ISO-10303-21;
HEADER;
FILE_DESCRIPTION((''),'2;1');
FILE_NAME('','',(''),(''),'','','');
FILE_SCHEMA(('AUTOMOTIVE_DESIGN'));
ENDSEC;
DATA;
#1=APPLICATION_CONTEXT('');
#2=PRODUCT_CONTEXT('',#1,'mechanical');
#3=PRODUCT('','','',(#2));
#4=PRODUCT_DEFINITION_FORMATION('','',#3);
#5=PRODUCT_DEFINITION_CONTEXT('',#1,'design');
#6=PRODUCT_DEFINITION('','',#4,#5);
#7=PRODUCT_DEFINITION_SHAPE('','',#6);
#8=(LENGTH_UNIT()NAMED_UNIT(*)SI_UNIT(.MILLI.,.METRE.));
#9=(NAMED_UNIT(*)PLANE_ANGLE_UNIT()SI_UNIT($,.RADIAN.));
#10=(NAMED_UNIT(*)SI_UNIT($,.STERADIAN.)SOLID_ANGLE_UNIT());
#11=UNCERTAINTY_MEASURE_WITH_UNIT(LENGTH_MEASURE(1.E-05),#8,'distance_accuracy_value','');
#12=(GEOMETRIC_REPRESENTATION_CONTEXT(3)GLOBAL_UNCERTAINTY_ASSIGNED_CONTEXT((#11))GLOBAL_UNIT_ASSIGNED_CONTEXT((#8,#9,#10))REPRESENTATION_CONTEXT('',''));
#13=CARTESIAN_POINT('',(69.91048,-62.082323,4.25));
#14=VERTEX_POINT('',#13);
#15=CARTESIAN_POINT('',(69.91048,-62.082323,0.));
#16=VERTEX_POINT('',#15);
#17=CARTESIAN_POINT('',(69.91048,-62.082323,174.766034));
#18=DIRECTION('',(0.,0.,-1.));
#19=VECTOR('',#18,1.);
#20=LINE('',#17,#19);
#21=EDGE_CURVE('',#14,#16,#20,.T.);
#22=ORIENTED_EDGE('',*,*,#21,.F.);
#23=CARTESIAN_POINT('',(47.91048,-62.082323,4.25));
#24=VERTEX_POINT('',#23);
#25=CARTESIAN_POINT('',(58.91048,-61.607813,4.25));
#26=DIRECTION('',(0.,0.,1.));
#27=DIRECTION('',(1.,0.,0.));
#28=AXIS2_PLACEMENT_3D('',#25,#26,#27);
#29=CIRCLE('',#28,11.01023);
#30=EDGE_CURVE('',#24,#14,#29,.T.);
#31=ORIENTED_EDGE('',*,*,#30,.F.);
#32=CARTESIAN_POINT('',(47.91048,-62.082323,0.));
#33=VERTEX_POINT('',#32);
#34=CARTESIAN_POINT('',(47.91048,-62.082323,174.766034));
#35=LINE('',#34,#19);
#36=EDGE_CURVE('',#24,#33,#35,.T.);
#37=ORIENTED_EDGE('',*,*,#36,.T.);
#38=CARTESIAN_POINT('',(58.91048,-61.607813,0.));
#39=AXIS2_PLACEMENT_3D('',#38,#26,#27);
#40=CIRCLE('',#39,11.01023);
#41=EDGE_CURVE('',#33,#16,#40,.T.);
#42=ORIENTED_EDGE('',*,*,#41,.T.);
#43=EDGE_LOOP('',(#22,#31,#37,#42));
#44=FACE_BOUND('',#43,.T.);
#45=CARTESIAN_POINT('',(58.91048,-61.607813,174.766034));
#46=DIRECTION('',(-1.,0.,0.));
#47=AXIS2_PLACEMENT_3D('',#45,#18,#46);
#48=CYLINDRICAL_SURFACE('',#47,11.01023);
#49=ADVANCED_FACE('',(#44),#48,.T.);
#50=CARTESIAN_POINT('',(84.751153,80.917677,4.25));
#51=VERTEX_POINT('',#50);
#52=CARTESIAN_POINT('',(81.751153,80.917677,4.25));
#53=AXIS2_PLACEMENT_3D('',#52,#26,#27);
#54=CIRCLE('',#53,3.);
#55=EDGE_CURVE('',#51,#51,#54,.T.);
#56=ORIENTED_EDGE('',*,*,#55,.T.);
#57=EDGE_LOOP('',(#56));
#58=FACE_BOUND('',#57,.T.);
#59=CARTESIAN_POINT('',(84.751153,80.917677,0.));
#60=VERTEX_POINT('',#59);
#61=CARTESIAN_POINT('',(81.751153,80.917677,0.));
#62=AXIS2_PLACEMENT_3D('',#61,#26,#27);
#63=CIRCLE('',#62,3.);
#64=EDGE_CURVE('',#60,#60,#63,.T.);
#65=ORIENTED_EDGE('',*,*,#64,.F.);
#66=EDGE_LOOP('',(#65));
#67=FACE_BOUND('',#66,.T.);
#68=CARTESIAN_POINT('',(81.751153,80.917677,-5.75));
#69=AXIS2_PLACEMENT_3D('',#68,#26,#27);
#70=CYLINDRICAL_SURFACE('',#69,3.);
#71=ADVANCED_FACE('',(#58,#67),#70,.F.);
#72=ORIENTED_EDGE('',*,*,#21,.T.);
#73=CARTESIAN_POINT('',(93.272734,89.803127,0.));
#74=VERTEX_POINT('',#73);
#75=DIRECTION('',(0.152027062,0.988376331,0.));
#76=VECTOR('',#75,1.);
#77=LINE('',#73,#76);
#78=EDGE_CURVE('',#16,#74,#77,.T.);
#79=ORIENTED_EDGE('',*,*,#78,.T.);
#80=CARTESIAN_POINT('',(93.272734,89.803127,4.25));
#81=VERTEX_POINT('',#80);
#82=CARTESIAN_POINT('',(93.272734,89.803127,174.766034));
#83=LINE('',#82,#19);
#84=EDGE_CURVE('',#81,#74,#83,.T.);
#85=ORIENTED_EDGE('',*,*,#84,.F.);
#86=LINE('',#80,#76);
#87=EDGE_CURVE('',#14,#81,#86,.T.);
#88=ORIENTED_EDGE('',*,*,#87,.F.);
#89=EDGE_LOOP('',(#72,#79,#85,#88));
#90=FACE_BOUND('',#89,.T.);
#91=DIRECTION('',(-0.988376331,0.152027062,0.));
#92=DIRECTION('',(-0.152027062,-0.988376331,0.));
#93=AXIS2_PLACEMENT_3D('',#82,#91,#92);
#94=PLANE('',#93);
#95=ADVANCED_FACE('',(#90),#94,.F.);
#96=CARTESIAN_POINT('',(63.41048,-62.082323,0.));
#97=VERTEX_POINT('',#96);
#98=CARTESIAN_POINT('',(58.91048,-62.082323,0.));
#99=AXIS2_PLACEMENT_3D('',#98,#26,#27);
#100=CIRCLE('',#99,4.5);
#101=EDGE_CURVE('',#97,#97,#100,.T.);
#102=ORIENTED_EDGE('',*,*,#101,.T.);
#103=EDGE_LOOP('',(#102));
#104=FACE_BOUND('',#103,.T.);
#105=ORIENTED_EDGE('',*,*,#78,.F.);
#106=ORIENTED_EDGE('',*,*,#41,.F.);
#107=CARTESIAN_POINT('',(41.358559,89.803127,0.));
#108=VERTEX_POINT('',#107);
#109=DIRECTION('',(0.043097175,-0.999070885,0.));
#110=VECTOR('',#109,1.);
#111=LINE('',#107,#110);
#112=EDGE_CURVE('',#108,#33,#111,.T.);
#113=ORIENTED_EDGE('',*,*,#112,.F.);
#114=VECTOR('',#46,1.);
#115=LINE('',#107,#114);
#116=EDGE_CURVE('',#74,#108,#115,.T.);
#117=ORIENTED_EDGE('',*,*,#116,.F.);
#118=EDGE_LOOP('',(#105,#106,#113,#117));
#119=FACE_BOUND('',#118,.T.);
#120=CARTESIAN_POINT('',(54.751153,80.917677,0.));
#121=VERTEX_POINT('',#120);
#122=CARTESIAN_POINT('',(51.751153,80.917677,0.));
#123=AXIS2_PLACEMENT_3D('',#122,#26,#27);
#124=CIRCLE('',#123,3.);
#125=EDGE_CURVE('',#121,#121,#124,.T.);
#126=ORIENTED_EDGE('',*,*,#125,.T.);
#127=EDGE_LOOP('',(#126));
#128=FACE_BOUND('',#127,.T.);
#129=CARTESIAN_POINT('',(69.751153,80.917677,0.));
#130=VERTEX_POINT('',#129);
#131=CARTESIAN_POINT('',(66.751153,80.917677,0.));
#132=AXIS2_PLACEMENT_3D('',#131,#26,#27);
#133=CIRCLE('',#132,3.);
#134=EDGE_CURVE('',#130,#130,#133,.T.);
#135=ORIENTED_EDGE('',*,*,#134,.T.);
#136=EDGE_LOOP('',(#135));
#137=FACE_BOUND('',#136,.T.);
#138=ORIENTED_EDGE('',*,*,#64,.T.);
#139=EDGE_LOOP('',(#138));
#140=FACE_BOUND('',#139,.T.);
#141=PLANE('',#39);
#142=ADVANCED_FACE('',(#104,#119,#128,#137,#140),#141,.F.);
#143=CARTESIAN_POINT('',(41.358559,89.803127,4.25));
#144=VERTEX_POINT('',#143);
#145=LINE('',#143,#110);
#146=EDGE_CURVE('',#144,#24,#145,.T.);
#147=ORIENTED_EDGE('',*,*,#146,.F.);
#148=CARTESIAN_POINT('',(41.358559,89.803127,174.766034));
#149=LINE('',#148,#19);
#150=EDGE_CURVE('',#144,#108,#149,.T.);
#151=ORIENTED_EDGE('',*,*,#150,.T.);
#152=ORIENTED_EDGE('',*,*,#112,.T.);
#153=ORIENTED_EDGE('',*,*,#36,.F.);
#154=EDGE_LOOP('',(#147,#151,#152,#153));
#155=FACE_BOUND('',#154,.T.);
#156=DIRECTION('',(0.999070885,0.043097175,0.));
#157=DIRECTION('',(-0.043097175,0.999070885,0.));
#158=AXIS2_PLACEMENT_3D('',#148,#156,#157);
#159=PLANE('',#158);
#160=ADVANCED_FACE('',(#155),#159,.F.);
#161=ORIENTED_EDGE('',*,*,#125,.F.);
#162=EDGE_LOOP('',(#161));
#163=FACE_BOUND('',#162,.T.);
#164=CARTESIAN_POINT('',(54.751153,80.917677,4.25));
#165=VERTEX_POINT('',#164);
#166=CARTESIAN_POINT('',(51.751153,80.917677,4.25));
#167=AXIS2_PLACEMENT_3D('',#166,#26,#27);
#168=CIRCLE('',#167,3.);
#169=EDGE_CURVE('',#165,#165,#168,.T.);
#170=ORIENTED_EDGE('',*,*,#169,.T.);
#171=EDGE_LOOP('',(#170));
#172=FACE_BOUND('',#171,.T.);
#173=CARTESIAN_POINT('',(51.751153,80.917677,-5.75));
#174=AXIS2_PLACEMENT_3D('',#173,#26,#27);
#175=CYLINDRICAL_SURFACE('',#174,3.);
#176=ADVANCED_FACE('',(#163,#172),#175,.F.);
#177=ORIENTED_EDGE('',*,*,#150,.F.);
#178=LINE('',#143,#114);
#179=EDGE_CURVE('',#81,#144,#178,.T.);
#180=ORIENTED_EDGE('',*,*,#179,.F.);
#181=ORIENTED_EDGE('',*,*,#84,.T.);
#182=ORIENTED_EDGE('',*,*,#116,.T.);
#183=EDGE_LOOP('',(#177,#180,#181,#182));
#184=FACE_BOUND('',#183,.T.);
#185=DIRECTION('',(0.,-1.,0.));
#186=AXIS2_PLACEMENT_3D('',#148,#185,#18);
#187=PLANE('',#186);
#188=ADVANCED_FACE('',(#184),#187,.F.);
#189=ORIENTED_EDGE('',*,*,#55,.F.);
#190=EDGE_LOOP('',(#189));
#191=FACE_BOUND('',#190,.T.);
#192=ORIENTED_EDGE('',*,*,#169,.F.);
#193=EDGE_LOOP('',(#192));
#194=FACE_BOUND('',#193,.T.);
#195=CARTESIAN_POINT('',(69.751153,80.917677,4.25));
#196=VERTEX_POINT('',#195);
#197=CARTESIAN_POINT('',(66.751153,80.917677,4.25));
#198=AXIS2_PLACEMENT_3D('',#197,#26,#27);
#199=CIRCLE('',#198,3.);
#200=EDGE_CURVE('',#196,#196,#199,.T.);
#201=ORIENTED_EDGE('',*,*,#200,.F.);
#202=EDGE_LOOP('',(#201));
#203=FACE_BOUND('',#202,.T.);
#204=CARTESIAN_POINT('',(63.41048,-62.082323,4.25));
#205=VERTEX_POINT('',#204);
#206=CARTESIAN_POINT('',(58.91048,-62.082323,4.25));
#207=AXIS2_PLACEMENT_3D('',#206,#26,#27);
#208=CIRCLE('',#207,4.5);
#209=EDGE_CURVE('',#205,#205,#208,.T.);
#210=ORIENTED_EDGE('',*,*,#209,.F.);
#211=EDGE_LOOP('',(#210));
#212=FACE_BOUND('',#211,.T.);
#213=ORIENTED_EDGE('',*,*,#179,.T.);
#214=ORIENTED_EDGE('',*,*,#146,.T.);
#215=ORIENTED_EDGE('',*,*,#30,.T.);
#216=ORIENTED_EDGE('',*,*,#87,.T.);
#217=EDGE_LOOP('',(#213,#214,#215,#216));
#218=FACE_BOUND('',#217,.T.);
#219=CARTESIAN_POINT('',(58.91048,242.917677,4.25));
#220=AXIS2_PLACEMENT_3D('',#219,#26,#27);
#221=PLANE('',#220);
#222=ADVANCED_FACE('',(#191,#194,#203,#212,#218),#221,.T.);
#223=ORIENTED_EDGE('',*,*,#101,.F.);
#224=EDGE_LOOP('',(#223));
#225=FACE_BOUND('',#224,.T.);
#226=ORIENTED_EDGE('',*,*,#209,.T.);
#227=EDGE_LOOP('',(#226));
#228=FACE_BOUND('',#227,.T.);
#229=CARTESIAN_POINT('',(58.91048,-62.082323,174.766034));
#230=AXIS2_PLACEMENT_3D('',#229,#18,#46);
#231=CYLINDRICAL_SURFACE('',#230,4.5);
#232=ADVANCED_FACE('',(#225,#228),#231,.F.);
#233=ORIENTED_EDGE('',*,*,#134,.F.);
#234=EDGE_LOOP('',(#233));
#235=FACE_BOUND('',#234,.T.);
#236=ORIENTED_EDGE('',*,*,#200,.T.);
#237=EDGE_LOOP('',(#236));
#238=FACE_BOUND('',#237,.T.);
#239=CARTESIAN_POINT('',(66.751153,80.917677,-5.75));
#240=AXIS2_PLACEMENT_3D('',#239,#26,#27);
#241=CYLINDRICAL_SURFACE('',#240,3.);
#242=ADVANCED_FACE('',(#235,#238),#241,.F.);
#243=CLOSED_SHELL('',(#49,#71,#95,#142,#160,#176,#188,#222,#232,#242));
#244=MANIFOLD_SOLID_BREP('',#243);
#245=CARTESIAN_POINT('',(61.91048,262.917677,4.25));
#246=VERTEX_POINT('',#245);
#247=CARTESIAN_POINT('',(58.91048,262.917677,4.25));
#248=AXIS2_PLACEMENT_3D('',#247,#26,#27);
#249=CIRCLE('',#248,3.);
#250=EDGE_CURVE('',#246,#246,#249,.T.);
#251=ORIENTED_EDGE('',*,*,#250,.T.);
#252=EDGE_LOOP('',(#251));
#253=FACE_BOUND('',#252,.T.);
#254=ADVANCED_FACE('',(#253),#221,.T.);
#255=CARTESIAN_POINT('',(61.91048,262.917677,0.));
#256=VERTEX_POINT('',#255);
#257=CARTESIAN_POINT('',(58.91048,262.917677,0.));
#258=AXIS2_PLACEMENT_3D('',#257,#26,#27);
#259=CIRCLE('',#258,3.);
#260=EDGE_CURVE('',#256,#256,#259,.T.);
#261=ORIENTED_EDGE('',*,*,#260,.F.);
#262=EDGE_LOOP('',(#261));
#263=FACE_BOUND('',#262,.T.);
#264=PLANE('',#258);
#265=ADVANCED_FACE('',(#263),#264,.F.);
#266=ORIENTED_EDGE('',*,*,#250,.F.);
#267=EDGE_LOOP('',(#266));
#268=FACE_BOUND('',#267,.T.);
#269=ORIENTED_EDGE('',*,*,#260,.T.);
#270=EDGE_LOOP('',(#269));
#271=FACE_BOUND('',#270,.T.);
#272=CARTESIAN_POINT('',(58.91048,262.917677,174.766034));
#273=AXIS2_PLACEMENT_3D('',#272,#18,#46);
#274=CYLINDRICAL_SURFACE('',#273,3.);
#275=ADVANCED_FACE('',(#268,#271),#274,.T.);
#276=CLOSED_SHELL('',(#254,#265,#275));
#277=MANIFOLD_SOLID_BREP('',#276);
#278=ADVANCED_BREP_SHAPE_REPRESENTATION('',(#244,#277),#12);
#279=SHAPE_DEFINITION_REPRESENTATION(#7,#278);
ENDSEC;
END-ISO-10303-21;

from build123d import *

# Parameters (mm, degrees)
SKETCH1_R             = 3
BOSS_EXTRUDE1_DEPTH   = 4.25
SKETCH1_R_2           = 4.5
BOSS_EXTRUDE1_2_DEPTH = 4.25
SKETCH2_R             = 3
CUT_EXTRUDE1_DEPTH    = 10


with BuildPart() as part:
    # Sketch1 → Boss-Extrude1 (new body)
    with BuildSketch(Plane.XY):
        with Locations((58.910480371, 262.917677392)):
            Circle(SKETCH1_R)
    extrude(amount=BOSS_EXTRUDE1_DEPTH)


with BuildPart() as body_2:
    # Sketch1 → Boss-Extrude1 2 (new body)
    with BuildSketch(Plane.XY):
        with BuildLine():
            Line((41.358559026, 89.803126741), (47.910480371, -62.082322608))
            ThreePointArc((47.910480371, -62.082322608), (58.910480371, -72.618042573), (69.910480371, -62.082322608))
            Line((69.910480371, -62.082322608), (93.272734055, 89.803126741))
            Line((93.272734055, 89.803126741), (41.358559026, 89.803126741))
        make_face()
        with Locations((58.910480371, -62.082322608)):
            Circle(SKETCH1_R_2, mode=Mode.SUBTRACT)
    extrude(amount=BOSS_EXTRUDE1_2_DEPTH)

    # Sketch2 → Cut-Extrude1 (cut)
    with BuildSketch(Plane.XY.offset(4.25)):
        with Locations((51.751152709, 80.917677392)):
            Circle(SKETCH2_R)
        with Locations((66.751152709, 80.917677392)):
            Circle(SKETCH2_R)
        with Locations((81.751152709, 80.917677392)):
            Circle(SKETCH2_R)
    extrude(amount=-CUT_EXTRUDE1_DEPTH, mode=Mode.SUBTRACT)


solid = Compound([part.part, body_2.part])
